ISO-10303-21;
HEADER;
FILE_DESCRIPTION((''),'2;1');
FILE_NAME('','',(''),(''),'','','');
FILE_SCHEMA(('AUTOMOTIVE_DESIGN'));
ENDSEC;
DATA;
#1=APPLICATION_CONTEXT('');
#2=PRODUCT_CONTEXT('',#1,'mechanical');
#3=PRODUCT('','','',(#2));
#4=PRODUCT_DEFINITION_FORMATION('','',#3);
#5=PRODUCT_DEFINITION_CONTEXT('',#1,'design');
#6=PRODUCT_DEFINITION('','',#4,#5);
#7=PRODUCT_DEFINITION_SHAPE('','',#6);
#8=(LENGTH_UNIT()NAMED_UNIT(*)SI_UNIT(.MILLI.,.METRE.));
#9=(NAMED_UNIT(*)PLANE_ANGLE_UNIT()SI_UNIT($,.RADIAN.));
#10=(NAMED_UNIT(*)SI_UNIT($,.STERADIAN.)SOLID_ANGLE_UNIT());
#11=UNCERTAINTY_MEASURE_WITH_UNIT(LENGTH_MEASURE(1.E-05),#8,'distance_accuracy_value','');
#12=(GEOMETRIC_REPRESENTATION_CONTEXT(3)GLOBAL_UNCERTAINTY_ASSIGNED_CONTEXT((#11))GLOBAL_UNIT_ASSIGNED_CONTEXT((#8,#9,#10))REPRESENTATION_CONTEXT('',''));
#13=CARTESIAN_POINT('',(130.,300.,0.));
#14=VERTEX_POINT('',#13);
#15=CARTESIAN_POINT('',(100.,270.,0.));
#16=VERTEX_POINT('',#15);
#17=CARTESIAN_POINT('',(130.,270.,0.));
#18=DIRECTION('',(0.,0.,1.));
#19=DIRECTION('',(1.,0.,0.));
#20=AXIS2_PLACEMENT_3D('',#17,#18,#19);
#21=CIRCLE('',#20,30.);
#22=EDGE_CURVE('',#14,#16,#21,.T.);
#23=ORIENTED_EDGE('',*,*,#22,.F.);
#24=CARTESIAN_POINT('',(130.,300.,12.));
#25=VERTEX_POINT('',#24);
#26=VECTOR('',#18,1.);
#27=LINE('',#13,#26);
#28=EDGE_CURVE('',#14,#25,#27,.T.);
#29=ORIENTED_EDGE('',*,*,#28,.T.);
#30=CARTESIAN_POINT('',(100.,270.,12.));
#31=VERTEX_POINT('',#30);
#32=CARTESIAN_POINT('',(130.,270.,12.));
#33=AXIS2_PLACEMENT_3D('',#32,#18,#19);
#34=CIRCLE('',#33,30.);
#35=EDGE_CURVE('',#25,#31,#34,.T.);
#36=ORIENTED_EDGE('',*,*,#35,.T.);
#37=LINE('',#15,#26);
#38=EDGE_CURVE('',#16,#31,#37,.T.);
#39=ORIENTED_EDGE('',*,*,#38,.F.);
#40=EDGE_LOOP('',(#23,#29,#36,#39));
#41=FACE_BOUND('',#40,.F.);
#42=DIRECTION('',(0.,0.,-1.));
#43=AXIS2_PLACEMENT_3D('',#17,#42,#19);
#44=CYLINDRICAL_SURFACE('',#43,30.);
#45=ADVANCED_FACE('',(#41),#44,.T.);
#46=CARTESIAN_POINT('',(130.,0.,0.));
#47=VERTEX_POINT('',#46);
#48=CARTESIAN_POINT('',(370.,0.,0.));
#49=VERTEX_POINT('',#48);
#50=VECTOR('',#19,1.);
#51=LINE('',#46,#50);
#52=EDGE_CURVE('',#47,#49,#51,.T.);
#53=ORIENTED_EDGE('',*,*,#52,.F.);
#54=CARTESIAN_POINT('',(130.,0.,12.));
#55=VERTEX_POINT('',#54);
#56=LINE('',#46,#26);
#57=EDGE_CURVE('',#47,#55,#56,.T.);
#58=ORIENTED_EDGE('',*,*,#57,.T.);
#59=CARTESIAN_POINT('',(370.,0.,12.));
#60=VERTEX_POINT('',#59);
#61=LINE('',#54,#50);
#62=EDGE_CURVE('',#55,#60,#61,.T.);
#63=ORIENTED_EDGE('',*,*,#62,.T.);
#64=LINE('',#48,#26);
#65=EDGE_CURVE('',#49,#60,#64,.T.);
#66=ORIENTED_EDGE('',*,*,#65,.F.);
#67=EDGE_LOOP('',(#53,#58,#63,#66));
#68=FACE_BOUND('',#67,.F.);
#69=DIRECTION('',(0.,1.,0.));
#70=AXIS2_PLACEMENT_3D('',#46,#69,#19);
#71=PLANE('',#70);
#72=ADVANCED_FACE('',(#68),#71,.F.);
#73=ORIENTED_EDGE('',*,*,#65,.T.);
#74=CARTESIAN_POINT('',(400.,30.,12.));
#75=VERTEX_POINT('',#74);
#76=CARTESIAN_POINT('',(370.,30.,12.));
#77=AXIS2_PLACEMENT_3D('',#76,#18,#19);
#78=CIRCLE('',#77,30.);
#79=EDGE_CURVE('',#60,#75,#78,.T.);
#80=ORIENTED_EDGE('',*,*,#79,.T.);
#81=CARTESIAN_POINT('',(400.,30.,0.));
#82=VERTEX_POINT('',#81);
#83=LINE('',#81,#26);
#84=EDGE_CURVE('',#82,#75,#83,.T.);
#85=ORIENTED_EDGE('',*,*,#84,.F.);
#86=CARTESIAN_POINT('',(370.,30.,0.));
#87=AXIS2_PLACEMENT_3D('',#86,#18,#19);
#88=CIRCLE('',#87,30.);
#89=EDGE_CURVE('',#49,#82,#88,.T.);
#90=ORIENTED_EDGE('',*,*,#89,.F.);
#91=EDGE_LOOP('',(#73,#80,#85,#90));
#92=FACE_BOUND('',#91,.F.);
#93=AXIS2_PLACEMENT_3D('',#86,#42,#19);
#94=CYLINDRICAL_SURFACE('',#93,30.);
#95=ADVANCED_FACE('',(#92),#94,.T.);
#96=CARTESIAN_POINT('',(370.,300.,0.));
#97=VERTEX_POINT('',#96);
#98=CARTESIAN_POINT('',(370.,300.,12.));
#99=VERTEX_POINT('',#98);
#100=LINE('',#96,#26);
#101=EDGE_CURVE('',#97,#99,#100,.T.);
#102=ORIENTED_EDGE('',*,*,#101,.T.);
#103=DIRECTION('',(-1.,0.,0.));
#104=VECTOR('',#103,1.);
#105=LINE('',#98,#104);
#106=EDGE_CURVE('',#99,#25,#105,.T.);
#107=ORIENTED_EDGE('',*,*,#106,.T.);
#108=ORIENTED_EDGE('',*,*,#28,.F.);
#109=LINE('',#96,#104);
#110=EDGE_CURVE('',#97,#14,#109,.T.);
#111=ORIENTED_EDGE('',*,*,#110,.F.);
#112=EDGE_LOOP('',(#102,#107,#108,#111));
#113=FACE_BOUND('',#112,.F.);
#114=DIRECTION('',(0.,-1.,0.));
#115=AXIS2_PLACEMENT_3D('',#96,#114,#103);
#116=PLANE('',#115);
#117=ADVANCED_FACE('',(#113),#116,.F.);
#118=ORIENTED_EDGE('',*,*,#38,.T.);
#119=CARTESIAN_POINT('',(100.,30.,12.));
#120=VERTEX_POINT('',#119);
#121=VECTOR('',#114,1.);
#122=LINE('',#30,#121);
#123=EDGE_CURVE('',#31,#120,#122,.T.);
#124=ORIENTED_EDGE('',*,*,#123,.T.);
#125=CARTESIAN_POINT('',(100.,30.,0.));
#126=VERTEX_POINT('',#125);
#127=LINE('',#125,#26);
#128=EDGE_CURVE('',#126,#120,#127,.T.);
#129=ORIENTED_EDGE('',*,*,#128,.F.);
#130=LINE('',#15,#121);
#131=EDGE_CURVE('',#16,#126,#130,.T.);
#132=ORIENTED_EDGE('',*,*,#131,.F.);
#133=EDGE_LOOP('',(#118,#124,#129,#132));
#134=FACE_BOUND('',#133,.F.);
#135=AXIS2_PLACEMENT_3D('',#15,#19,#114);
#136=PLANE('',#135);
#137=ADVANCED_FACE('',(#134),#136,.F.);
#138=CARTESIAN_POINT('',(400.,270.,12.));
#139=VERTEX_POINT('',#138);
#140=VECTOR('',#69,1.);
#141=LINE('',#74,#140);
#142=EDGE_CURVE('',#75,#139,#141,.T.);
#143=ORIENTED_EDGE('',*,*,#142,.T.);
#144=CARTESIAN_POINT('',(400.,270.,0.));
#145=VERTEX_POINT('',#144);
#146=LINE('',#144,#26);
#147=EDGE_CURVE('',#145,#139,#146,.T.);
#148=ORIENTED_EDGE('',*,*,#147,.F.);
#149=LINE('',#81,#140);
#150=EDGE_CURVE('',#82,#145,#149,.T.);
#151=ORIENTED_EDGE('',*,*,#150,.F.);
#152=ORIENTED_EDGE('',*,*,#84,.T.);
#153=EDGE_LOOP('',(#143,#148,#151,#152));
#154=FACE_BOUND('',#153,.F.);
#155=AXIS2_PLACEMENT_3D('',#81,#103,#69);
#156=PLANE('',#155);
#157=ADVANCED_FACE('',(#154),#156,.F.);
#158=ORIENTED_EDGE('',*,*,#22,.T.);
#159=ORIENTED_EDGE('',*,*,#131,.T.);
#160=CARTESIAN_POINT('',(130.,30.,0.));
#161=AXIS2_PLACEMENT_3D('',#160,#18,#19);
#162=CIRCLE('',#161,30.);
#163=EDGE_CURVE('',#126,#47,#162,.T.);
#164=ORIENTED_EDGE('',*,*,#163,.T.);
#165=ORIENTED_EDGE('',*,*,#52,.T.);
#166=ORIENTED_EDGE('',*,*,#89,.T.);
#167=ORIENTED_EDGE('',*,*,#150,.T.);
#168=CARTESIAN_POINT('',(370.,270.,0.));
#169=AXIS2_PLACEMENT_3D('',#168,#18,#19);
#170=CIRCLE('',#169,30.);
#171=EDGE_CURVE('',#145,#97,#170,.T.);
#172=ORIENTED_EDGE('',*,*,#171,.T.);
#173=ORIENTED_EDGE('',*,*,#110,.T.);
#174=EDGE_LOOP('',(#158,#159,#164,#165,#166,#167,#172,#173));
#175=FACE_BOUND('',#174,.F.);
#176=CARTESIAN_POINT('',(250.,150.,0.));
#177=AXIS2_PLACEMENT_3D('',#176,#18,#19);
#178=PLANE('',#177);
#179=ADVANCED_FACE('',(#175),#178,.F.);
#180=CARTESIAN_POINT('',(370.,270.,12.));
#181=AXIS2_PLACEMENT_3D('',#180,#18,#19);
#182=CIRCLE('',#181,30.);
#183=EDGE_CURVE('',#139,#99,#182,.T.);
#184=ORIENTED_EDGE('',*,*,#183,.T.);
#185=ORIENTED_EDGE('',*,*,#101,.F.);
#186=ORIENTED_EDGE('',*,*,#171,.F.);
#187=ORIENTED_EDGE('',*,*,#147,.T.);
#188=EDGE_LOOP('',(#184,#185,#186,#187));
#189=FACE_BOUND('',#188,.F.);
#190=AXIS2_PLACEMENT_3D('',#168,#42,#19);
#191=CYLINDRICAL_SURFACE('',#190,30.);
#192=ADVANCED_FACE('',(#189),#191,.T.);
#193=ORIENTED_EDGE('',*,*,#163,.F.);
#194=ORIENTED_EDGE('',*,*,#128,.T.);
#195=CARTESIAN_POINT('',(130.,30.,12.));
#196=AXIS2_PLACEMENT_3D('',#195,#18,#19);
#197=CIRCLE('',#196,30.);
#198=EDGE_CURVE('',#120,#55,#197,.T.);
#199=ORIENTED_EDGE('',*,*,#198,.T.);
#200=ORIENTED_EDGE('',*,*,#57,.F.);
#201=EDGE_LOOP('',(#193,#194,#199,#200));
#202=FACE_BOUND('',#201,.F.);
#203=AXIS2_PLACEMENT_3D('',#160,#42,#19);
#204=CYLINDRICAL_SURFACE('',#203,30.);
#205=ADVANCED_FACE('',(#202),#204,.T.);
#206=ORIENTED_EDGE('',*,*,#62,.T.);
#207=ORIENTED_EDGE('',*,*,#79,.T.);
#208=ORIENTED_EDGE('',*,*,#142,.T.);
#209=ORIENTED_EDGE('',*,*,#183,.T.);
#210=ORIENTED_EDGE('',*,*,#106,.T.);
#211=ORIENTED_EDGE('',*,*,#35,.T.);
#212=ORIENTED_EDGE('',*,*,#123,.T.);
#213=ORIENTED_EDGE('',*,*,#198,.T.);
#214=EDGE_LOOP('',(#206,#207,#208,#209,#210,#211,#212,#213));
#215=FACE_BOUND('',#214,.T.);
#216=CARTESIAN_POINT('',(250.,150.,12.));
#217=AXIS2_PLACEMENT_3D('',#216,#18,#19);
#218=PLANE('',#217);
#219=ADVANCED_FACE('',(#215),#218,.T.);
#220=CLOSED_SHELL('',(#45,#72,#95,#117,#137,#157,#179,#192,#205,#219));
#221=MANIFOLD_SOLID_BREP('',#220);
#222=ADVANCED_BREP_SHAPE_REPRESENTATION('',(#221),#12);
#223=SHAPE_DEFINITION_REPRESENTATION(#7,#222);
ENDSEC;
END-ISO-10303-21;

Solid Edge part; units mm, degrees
sketch "Sketch1" plane through (0, 0, 0) normal (0, 0, 1) x (1, 0, 0)
  line L0 (130, 0) -> (370, 0)
  arc A0 (370, 0) -> (400, 30) centre (370, 30) ccw
  line L1 (400, 30) -> (400, 270)
  arc A1 (400, 270) -> (370, 300) centre (370, 270) ccw
  line L2 (370, 300) -> (130, 300)
  arc A2 (130, 300) -> (100, 270) centre (130, 270) ccw
  line L3 (100, 270) -> (100, 30)
  arc A3 (100, 30) -> (130, 0) centre (130, 30) ccw
  dimension "D1" = 240
  dimension "D2" = 240
extrude "Protrusion1" add sketch "Sketch1" along normal blind 12
